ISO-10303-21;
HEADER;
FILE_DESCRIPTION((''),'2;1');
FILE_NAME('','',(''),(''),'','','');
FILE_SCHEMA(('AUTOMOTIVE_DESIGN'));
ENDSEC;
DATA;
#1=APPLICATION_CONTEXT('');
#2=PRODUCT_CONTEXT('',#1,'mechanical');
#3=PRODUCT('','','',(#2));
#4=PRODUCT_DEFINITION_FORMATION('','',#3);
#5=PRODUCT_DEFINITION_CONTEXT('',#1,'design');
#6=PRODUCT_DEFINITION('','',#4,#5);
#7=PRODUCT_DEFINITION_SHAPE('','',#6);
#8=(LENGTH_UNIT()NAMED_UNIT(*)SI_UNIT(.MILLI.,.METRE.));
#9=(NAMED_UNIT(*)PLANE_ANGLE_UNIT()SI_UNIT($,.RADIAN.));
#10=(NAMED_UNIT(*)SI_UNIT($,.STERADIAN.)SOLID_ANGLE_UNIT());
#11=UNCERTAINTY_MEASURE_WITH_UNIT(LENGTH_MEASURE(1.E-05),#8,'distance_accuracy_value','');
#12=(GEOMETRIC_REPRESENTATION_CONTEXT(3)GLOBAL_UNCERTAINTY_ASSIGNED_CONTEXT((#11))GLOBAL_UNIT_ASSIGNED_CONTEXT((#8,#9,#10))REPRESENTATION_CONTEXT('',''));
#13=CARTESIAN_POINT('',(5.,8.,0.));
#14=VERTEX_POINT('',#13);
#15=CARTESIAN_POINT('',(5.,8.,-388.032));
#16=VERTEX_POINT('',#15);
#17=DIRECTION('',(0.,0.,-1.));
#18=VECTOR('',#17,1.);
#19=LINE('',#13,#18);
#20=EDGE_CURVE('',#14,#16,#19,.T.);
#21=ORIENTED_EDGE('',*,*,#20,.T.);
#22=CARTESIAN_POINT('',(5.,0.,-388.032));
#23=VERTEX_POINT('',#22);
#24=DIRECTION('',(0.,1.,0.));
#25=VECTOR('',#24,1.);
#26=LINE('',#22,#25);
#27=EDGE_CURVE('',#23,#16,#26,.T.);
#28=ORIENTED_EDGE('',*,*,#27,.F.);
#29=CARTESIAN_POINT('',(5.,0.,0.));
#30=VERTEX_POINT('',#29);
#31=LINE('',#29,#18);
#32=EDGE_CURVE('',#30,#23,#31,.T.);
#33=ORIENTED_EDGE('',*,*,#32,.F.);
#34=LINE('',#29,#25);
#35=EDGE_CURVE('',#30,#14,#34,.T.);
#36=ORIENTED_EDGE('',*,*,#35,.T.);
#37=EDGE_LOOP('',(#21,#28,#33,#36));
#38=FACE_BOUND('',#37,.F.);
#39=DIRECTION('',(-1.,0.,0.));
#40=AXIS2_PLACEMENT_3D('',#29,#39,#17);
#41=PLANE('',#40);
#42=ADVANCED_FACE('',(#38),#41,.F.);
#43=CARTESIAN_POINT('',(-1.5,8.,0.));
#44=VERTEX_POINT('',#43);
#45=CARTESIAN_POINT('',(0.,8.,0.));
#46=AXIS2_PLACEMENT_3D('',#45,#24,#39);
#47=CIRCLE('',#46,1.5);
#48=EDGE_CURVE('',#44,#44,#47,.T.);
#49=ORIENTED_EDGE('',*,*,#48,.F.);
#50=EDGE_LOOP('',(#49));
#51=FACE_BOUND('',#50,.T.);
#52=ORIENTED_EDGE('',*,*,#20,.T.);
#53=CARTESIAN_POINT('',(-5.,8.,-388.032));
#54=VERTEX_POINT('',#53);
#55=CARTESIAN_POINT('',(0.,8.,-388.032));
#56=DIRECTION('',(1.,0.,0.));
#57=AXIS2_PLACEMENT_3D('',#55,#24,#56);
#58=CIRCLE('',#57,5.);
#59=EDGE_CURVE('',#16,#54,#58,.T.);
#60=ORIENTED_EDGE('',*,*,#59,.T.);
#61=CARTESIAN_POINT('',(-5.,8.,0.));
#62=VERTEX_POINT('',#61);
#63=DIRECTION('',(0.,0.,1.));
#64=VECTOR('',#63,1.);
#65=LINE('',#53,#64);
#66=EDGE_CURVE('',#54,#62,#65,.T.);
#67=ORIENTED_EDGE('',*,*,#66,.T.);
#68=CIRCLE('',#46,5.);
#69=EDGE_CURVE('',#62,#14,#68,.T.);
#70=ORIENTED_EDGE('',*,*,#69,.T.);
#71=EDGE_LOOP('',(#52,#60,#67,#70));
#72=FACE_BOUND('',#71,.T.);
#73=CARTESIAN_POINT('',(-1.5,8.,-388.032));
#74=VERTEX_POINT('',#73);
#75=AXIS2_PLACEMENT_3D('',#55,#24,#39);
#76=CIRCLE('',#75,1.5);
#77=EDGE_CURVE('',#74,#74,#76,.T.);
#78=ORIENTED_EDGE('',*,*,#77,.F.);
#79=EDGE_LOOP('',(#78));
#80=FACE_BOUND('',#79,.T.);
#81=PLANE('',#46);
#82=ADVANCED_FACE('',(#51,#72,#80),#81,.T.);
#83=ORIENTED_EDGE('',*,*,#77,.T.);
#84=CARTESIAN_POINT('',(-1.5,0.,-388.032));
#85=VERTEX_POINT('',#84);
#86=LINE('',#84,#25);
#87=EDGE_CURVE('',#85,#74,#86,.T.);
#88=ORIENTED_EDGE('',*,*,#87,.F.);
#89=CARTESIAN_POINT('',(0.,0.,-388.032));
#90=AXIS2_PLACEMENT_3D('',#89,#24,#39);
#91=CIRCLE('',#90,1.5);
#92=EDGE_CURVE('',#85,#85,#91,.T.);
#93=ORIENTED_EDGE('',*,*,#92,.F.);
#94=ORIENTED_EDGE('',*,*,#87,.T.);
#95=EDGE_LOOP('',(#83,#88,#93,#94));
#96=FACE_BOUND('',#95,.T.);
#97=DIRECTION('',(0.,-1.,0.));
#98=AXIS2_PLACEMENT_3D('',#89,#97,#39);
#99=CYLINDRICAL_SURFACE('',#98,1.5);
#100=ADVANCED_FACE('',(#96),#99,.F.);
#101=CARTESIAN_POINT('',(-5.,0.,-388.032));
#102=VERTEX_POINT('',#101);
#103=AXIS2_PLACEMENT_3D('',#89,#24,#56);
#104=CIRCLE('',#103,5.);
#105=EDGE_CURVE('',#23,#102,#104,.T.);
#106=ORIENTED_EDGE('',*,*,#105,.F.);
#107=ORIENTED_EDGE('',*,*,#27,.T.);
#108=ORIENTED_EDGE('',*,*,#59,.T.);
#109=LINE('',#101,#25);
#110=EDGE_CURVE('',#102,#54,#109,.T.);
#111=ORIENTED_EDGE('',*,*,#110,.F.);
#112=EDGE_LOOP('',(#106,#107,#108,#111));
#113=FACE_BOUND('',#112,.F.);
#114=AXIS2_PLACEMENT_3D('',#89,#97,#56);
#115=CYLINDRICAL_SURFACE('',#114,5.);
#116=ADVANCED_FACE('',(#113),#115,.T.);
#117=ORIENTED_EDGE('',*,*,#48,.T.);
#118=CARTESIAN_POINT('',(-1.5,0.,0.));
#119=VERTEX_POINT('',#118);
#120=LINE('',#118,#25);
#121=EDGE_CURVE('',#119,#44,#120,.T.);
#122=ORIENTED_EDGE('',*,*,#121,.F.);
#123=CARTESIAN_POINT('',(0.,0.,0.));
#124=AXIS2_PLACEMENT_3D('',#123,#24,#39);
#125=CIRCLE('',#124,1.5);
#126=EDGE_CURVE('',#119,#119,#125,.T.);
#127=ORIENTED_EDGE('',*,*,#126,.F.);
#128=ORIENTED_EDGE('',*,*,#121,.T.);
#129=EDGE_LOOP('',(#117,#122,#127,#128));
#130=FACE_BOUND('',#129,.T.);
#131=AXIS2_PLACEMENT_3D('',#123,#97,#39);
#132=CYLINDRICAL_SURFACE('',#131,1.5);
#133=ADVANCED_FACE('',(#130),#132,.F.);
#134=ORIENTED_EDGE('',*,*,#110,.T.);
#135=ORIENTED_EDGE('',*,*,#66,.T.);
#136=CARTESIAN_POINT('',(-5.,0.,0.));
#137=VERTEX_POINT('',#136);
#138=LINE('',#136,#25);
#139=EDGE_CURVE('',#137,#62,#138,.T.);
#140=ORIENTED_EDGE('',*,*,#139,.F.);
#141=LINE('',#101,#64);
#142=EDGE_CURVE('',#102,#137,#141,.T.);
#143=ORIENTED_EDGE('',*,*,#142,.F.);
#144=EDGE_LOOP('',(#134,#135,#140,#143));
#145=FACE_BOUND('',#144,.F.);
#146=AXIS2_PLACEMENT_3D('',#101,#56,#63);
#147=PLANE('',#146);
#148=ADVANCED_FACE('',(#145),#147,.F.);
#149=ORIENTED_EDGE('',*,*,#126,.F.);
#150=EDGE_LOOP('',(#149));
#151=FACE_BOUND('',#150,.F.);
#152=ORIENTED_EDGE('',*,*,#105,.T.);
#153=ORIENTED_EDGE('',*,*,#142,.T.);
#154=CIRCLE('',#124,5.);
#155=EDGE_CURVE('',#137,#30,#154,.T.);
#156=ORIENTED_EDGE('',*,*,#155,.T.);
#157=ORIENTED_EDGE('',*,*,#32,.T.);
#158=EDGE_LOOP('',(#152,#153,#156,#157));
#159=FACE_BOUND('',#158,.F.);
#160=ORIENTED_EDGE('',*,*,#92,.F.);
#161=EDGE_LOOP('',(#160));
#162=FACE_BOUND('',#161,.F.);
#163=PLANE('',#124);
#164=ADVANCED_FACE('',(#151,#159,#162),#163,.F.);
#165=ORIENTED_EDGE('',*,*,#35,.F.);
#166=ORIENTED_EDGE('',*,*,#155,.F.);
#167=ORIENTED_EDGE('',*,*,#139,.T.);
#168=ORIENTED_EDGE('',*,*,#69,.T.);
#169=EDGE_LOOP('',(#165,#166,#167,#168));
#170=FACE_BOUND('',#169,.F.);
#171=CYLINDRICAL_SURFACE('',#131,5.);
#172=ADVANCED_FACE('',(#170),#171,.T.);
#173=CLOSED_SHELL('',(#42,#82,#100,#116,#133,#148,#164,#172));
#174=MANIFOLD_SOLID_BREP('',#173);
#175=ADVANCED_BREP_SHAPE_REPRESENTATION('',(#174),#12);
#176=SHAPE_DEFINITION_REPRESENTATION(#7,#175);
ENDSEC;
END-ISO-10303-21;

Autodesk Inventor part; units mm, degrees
ref_plane "YZ Plane" through (0, 0, 0) normal (1, 0, 0) x (0, 1, 0)
ref_plane "XZ Plane" through (0, 0, 0) normal (0, 1, 0) x (-1, 0, 0)
ref_plane "XY Plane" through (0, 0, 0) normal (0, 0, 1) x (1, 0, 0)
sketch "Sketch1" plane through (0, 0, 0) normal (0, 1, 0) x (-1, 0, 0)
  line L0 (0, 0) -> (0, -388.032) construction
  line L1 (-5, 0) -> (-5, -388.032)
  line L2 (5, -388.032) -> (5, 0)
  arc A0 (5, 0) -> (-5, 0) centre (0, 0) ccw
  arc A1 (-5, -388.032) -> (5, -388.032) centre (0, -388.032) ccw
  circle A2 centre (0, 0) radius 1.5
  circle A3 centre (0, -388.032) radius 1.5
  point P0 (0, -194.016)
  dimension "d0" = 388.032
  dimension "d1" = 10
  dimension "d2" = 3
  dimension "d3" = 3
extrude "Extrusion1" add sketch "Sketch1" along normal blind 8
sketch "Sketch2" plane through (0, 0, 0) normal (0, -1, 0) x (1, 0, 0)
  arc A0 (-5, -388.032) -> (5, -388.032) centre (0, -388.032) ccw projected
  line L0 (5, 0) -> (5, -388.032) projected
  arc A1 (5, 0) -> (-5, 0) centre (0, 0) ccw projected
  line L1 (-5, -388.032) -> (-5, 0) projected
  circle A2 centre (0, -388.032) radius 1.5 projected
  circle A3 centre (0, 0) radius 1.5 projected
